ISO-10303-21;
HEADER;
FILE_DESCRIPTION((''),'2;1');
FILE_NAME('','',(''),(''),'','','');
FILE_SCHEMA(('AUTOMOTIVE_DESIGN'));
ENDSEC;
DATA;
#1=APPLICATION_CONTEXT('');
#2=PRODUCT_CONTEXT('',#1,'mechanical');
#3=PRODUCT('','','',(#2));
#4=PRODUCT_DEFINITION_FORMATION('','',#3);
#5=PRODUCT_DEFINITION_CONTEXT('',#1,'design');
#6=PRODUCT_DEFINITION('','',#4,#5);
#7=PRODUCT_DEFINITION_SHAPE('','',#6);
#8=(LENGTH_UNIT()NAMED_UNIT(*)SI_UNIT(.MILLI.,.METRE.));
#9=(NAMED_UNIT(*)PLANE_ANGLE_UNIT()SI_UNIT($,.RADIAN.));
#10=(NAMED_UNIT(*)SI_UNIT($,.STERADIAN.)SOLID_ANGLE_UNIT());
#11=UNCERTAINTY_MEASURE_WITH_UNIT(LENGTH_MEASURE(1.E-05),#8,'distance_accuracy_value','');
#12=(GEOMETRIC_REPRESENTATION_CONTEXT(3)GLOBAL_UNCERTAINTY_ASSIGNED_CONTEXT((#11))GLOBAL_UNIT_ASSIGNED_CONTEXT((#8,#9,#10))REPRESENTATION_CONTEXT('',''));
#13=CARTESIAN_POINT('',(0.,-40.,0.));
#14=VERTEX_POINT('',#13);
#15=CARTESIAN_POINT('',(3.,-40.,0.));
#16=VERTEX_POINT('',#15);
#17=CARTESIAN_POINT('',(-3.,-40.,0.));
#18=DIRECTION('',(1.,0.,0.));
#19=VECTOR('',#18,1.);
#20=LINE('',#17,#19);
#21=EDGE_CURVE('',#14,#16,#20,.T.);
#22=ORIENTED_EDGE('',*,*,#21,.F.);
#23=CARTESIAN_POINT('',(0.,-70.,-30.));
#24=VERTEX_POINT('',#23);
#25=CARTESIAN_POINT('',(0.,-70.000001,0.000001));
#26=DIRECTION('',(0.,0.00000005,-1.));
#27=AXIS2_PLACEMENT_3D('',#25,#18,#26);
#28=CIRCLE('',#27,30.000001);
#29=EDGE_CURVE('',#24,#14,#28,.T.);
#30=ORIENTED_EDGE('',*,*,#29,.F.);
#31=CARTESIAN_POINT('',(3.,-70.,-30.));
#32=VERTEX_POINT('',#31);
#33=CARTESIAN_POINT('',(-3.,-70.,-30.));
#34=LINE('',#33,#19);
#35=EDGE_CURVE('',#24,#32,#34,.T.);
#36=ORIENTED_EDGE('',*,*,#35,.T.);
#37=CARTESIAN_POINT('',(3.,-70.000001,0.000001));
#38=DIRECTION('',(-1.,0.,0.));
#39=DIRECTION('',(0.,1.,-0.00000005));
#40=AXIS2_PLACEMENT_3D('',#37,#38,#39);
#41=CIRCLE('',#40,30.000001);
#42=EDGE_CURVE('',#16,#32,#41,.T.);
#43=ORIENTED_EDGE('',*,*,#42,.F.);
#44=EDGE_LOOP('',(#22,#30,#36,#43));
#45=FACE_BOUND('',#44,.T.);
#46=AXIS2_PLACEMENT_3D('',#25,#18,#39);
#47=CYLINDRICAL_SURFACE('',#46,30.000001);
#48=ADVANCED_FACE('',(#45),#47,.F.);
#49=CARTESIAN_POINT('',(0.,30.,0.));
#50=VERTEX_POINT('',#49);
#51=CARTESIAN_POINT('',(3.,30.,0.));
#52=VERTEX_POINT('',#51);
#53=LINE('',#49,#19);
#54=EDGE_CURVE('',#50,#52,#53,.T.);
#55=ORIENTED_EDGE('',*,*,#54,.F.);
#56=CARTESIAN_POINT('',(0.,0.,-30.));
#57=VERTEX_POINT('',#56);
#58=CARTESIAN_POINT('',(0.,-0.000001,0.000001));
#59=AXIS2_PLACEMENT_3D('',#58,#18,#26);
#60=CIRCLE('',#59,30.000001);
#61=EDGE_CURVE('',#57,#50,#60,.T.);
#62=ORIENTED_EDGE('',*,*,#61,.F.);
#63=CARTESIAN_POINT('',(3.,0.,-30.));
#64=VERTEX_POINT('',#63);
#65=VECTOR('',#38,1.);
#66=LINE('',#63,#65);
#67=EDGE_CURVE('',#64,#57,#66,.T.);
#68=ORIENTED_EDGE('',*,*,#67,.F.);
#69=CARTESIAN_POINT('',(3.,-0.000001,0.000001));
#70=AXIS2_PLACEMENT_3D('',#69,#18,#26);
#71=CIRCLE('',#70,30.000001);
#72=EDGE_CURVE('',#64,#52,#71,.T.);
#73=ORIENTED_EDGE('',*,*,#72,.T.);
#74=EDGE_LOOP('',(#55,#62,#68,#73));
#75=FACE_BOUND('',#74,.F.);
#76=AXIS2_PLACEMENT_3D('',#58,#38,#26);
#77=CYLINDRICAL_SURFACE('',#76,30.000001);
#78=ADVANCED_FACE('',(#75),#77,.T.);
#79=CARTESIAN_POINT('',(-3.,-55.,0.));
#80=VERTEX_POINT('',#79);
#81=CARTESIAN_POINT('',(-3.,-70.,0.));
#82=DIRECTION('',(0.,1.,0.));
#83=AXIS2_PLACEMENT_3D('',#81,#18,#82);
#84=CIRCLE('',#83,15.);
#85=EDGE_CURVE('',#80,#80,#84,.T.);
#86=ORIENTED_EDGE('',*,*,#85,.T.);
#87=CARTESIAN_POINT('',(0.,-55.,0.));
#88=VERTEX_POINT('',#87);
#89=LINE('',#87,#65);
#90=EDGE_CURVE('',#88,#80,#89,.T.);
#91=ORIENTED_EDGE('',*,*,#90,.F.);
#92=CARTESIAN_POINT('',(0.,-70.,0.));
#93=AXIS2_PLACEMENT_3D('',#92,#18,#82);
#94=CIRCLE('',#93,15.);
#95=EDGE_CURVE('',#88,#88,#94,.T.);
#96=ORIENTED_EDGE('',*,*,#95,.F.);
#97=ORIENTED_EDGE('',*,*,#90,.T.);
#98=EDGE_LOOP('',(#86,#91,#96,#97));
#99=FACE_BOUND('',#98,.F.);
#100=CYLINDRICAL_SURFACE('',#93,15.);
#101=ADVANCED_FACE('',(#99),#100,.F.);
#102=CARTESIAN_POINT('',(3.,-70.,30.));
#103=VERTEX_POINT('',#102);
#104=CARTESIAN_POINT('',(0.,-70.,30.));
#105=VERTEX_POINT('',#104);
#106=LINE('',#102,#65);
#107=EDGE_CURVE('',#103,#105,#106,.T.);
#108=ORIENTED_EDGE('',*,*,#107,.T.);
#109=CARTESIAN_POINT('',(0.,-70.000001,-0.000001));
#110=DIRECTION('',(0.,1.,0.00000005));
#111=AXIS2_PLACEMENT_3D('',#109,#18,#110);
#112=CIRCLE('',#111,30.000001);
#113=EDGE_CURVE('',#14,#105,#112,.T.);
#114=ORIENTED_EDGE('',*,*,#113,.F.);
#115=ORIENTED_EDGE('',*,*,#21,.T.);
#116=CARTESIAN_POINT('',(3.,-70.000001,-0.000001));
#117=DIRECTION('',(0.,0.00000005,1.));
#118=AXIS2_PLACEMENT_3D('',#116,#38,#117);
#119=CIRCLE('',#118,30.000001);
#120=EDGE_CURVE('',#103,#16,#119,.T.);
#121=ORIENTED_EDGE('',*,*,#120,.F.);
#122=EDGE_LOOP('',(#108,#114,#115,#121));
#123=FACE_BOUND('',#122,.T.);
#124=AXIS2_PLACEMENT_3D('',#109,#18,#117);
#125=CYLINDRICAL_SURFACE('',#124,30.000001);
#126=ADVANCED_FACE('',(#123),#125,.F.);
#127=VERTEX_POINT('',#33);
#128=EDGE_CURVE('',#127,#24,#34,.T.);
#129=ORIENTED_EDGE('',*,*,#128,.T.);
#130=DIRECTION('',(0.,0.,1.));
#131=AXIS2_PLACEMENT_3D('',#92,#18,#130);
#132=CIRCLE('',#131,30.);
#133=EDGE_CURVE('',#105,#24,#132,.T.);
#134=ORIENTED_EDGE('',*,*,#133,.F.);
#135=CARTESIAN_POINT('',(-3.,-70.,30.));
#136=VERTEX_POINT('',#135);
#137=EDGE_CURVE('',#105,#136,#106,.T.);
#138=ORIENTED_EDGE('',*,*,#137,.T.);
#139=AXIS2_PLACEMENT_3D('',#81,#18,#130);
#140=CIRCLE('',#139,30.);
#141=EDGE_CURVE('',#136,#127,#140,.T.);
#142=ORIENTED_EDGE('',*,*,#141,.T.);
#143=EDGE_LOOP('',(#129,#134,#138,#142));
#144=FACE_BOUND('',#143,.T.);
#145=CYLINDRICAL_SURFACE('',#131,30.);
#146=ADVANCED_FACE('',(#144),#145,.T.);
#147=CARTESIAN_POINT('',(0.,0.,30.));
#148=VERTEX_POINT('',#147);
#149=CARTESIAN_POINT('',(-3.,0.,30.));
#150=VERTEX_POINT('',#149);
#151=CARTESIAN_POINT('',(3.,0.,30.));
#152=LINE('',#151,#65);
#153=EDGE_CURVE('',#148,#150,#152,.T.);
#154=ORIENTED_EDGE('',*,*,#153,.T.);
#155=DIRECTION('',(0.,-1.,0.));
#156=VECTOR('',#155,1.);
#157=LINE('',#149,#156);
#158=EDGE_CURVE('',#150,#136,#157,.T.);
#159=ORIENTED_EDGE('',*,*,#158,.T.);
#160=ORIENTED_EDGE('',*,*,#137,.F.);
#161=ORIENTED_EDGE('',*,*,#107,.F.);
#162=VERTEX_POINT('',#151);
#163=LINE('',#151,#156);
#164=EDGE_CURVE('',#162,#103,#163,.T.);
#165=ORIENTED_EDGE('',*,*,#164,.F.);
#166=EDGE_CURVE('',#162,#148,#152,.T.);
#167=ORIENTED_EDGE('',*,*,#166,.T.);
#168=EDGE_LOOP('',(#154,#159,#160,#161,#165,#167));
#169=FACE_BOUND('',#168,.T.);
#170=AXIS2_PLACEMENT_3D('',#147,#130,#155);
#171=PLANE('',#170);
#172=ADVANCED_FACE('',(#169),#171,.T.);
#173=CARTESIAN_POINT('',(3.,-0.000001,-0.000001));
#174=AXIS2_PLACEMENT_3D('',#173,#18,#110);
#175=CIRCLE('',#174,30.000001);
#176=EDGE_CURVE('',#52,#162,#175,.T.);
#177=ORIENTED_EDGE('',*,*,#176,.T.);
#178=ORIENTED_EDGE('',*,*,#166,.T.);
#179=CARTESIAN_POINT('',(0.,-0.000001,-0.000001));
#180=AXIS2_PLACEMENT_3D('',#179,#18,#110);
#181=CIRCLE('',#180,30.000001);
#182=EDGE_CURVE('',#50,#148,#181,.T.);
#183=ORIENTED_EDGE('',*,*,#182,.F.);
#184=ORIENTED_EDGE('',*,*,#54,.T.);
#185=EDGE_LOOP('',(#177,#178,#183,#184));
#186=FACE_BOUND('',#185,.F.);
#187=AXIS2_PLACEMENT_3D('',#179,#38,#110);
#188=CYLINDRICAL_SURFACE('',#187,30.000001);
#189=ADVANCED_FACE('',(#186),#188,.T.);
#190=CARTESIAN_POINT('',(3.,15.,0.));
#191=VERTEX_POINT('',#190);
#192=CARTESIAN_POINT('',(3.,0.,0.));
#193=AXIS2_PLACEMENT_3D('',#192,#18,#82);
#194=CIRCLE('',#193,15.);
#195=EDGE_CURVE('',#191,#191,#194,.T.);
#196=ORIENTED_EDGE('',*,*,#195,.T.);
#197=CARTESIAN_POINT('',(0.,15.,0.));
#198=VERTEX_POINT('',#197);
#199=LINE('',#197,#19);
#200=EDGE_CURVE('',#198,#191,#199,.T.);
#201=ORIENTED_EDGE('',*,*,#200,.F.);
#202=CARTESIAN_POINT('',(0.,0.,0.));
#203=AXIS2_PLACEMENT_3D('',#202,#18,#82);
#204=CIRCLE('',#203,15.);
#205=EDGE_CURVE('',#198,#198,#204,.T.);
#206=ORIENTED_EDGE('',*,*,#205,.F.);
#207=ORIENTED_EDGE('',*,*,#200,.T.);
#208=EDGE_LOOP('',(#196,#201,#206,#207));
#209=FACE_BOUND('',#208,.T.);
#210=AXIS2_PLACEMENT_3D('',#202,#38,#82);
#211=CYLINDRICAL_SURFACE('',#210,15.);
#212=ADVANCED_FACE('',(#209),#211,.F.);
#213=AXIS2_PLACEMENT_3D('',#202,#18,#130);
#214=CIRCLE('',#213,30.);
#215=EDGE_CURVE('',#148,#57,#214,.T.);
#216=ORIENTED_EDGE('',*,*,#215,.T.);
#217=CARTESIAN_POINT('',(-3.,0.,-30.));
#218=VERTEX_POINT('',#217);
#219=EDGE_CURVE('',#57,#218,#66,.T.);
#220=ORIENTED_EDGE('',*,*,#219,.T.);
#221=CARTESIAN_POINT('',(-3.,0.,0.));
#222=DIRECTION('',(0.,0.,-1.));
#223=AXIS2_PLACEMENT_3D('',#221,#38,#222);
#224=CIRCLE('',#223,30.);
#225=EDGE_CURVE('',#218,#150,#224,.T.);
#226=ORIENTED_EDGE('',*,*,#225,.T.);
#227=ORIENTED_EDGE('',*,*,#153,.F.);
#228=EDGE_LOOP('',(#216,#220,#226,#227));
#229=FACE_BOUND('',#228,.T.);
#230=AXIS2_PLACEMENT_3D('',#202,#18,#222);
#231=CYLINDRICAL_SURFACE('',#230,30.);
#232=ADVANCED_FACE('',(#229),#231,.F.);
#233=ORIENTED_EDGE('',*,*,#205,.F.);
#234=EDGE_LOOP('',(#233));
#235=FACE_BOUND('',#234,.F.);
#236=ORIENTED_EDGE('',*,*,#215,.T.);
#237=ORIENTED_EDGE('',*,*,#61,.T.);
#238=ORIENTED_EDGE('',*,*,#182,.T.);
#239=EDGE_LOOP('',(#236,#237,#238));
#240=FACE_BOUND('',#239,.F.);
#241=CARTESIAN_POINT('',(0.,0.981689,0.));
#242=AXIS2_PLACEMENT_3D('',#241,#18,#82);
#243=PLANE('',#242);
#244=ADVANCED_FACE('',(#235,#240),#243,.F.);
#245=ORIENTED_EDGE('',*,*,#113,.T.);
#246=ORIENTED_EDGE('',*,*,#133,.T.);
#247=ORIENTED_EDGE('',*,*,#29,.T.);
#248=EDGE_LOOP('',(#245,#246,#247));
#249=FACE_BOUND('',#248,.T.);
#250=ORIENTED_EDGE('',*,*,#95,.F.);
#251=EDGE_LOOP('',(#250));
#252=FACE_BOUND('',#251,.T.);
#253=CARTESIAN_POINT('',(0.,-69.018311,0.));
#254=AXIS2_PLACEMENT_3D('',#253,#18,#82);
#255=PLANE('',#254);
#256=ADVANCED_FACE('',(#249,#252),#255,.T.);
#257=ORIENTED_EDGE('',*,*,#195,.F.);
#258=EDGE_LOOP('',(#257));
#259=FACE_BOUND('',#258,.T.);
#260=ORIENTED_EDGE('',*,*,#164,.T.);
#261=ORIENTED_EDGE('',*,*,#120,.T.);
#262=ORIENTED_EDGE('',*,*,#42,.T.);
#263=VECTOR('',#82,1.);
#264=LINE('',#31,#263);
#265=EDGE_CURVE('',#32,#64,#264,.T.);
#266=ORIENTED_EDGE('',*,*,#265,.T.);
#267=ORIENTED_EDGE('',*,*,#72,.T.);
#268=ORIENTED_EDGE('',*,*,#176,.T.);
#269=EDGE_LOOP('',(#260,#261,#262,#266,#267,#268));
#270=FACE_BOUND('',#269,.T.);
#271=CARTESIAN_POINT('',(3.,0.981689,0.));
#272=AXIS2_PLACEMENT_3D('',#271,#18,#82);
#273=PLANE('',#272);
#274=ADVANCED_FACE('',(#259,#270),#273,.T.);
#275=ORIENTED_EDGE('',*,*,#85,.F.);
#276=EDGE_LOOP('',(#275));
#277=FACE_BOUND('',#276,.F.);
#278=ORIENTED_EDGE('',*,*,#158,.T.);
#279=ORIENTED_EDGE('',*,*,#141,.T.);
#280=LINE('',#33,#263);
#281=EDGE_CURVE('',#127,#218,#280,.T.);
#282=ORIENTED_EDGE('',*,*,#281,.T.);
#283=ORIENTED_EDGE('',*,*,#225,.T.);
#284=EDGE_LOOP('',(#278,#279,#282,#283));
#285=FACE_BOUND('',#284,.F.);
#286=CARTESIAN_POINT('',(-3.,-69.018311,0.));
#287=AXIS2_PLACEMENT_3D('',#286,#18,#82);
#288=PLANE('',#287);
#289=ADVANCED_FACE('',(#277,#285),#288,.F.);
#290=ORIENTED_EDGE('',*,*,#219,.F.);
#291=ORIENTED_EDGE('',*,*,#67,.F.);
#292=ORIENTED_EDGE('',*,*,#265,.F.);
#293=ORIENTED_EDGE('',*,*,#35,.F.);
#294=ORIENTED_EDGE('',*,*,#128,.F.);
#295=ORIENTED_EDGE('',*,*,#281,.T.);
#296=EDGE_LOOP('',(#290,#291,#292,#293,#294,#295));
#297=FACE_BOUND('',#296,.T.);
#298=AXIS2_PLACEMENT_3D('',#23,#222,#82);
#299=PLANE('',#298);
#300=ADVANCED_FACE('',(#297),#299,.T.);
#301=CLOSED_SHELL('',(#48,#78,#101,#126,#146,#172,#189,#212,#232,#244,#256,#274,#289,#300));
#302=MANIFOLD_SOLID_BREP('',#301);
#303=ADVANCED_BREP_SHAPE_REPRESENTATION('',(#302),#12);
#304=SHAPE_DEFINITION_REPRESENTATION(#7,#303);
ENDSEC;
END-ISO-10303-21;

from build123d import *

# Parameters (mm, degrees)
F1_DEPTH      = 3
F1_DEPTH_BACK = 3
F0_R          = 15
F2_DEPTH      = 3
F3_DEPTH      = 3


with BuildPart() as f1:
    # F0 (on Right) → F1 (new body, two sides)
    with BuildSketch(Plane.YZ) as f1_sk:
        with BuildLine():
            ThreePointArc((-70, 30), (-48.786797, 21.213203), (-40, 0))
            ThreePointArc((-40, 0), (-48.786797, -21.213203), (-70, -30))
            Line((-70, -30), (0, -30))
            ThreePointArc((0, -30), (-30, 0), (0, 30))
            Line((0, 30), (-70, 30))
        make_face()
    extrude(amount=F1_DEPTH)
    extrude(f1_sk.sketch, amount=-F1_DEPTH_BACK)

    # F0 (on Right) → F2 (join)
    with BuildSketch(Plane.YZ):
        with BuildLine():
            ThreePointArc((30, 0), (21.213203, 21.213203), (0, 30))
            ThreePointArc((0, 30), (-30, 0), (0, -30))
            ThreePointArc((0, -30), (21.213203, -21.213203), (30, 0))
        make_face()
        Circle(F0_R, mode=Mode.SUBTRACT)
    extrude(amount=F2_DEPTH)

    # F0 (on Right) → F3 (join)
    with BuildSketch(Plane.YZ):
        with BuildLine():
            ThreePointArc((-70, -30), (-48.786797, -21.213203), (-40, 0))
            ThreePointArc((-40, 0), (-48.786797, 21.213203), (-70, 30))
            ThreePointArc((-70, 30), (-100, 0), (-70, -30))
        make_face()
        with Locations((-70, 0)):
            Circle(F0_R, mode=Mode.SUBTRACT)
    extrude(amount=-F3_DEPTH)


solid = f1.part
